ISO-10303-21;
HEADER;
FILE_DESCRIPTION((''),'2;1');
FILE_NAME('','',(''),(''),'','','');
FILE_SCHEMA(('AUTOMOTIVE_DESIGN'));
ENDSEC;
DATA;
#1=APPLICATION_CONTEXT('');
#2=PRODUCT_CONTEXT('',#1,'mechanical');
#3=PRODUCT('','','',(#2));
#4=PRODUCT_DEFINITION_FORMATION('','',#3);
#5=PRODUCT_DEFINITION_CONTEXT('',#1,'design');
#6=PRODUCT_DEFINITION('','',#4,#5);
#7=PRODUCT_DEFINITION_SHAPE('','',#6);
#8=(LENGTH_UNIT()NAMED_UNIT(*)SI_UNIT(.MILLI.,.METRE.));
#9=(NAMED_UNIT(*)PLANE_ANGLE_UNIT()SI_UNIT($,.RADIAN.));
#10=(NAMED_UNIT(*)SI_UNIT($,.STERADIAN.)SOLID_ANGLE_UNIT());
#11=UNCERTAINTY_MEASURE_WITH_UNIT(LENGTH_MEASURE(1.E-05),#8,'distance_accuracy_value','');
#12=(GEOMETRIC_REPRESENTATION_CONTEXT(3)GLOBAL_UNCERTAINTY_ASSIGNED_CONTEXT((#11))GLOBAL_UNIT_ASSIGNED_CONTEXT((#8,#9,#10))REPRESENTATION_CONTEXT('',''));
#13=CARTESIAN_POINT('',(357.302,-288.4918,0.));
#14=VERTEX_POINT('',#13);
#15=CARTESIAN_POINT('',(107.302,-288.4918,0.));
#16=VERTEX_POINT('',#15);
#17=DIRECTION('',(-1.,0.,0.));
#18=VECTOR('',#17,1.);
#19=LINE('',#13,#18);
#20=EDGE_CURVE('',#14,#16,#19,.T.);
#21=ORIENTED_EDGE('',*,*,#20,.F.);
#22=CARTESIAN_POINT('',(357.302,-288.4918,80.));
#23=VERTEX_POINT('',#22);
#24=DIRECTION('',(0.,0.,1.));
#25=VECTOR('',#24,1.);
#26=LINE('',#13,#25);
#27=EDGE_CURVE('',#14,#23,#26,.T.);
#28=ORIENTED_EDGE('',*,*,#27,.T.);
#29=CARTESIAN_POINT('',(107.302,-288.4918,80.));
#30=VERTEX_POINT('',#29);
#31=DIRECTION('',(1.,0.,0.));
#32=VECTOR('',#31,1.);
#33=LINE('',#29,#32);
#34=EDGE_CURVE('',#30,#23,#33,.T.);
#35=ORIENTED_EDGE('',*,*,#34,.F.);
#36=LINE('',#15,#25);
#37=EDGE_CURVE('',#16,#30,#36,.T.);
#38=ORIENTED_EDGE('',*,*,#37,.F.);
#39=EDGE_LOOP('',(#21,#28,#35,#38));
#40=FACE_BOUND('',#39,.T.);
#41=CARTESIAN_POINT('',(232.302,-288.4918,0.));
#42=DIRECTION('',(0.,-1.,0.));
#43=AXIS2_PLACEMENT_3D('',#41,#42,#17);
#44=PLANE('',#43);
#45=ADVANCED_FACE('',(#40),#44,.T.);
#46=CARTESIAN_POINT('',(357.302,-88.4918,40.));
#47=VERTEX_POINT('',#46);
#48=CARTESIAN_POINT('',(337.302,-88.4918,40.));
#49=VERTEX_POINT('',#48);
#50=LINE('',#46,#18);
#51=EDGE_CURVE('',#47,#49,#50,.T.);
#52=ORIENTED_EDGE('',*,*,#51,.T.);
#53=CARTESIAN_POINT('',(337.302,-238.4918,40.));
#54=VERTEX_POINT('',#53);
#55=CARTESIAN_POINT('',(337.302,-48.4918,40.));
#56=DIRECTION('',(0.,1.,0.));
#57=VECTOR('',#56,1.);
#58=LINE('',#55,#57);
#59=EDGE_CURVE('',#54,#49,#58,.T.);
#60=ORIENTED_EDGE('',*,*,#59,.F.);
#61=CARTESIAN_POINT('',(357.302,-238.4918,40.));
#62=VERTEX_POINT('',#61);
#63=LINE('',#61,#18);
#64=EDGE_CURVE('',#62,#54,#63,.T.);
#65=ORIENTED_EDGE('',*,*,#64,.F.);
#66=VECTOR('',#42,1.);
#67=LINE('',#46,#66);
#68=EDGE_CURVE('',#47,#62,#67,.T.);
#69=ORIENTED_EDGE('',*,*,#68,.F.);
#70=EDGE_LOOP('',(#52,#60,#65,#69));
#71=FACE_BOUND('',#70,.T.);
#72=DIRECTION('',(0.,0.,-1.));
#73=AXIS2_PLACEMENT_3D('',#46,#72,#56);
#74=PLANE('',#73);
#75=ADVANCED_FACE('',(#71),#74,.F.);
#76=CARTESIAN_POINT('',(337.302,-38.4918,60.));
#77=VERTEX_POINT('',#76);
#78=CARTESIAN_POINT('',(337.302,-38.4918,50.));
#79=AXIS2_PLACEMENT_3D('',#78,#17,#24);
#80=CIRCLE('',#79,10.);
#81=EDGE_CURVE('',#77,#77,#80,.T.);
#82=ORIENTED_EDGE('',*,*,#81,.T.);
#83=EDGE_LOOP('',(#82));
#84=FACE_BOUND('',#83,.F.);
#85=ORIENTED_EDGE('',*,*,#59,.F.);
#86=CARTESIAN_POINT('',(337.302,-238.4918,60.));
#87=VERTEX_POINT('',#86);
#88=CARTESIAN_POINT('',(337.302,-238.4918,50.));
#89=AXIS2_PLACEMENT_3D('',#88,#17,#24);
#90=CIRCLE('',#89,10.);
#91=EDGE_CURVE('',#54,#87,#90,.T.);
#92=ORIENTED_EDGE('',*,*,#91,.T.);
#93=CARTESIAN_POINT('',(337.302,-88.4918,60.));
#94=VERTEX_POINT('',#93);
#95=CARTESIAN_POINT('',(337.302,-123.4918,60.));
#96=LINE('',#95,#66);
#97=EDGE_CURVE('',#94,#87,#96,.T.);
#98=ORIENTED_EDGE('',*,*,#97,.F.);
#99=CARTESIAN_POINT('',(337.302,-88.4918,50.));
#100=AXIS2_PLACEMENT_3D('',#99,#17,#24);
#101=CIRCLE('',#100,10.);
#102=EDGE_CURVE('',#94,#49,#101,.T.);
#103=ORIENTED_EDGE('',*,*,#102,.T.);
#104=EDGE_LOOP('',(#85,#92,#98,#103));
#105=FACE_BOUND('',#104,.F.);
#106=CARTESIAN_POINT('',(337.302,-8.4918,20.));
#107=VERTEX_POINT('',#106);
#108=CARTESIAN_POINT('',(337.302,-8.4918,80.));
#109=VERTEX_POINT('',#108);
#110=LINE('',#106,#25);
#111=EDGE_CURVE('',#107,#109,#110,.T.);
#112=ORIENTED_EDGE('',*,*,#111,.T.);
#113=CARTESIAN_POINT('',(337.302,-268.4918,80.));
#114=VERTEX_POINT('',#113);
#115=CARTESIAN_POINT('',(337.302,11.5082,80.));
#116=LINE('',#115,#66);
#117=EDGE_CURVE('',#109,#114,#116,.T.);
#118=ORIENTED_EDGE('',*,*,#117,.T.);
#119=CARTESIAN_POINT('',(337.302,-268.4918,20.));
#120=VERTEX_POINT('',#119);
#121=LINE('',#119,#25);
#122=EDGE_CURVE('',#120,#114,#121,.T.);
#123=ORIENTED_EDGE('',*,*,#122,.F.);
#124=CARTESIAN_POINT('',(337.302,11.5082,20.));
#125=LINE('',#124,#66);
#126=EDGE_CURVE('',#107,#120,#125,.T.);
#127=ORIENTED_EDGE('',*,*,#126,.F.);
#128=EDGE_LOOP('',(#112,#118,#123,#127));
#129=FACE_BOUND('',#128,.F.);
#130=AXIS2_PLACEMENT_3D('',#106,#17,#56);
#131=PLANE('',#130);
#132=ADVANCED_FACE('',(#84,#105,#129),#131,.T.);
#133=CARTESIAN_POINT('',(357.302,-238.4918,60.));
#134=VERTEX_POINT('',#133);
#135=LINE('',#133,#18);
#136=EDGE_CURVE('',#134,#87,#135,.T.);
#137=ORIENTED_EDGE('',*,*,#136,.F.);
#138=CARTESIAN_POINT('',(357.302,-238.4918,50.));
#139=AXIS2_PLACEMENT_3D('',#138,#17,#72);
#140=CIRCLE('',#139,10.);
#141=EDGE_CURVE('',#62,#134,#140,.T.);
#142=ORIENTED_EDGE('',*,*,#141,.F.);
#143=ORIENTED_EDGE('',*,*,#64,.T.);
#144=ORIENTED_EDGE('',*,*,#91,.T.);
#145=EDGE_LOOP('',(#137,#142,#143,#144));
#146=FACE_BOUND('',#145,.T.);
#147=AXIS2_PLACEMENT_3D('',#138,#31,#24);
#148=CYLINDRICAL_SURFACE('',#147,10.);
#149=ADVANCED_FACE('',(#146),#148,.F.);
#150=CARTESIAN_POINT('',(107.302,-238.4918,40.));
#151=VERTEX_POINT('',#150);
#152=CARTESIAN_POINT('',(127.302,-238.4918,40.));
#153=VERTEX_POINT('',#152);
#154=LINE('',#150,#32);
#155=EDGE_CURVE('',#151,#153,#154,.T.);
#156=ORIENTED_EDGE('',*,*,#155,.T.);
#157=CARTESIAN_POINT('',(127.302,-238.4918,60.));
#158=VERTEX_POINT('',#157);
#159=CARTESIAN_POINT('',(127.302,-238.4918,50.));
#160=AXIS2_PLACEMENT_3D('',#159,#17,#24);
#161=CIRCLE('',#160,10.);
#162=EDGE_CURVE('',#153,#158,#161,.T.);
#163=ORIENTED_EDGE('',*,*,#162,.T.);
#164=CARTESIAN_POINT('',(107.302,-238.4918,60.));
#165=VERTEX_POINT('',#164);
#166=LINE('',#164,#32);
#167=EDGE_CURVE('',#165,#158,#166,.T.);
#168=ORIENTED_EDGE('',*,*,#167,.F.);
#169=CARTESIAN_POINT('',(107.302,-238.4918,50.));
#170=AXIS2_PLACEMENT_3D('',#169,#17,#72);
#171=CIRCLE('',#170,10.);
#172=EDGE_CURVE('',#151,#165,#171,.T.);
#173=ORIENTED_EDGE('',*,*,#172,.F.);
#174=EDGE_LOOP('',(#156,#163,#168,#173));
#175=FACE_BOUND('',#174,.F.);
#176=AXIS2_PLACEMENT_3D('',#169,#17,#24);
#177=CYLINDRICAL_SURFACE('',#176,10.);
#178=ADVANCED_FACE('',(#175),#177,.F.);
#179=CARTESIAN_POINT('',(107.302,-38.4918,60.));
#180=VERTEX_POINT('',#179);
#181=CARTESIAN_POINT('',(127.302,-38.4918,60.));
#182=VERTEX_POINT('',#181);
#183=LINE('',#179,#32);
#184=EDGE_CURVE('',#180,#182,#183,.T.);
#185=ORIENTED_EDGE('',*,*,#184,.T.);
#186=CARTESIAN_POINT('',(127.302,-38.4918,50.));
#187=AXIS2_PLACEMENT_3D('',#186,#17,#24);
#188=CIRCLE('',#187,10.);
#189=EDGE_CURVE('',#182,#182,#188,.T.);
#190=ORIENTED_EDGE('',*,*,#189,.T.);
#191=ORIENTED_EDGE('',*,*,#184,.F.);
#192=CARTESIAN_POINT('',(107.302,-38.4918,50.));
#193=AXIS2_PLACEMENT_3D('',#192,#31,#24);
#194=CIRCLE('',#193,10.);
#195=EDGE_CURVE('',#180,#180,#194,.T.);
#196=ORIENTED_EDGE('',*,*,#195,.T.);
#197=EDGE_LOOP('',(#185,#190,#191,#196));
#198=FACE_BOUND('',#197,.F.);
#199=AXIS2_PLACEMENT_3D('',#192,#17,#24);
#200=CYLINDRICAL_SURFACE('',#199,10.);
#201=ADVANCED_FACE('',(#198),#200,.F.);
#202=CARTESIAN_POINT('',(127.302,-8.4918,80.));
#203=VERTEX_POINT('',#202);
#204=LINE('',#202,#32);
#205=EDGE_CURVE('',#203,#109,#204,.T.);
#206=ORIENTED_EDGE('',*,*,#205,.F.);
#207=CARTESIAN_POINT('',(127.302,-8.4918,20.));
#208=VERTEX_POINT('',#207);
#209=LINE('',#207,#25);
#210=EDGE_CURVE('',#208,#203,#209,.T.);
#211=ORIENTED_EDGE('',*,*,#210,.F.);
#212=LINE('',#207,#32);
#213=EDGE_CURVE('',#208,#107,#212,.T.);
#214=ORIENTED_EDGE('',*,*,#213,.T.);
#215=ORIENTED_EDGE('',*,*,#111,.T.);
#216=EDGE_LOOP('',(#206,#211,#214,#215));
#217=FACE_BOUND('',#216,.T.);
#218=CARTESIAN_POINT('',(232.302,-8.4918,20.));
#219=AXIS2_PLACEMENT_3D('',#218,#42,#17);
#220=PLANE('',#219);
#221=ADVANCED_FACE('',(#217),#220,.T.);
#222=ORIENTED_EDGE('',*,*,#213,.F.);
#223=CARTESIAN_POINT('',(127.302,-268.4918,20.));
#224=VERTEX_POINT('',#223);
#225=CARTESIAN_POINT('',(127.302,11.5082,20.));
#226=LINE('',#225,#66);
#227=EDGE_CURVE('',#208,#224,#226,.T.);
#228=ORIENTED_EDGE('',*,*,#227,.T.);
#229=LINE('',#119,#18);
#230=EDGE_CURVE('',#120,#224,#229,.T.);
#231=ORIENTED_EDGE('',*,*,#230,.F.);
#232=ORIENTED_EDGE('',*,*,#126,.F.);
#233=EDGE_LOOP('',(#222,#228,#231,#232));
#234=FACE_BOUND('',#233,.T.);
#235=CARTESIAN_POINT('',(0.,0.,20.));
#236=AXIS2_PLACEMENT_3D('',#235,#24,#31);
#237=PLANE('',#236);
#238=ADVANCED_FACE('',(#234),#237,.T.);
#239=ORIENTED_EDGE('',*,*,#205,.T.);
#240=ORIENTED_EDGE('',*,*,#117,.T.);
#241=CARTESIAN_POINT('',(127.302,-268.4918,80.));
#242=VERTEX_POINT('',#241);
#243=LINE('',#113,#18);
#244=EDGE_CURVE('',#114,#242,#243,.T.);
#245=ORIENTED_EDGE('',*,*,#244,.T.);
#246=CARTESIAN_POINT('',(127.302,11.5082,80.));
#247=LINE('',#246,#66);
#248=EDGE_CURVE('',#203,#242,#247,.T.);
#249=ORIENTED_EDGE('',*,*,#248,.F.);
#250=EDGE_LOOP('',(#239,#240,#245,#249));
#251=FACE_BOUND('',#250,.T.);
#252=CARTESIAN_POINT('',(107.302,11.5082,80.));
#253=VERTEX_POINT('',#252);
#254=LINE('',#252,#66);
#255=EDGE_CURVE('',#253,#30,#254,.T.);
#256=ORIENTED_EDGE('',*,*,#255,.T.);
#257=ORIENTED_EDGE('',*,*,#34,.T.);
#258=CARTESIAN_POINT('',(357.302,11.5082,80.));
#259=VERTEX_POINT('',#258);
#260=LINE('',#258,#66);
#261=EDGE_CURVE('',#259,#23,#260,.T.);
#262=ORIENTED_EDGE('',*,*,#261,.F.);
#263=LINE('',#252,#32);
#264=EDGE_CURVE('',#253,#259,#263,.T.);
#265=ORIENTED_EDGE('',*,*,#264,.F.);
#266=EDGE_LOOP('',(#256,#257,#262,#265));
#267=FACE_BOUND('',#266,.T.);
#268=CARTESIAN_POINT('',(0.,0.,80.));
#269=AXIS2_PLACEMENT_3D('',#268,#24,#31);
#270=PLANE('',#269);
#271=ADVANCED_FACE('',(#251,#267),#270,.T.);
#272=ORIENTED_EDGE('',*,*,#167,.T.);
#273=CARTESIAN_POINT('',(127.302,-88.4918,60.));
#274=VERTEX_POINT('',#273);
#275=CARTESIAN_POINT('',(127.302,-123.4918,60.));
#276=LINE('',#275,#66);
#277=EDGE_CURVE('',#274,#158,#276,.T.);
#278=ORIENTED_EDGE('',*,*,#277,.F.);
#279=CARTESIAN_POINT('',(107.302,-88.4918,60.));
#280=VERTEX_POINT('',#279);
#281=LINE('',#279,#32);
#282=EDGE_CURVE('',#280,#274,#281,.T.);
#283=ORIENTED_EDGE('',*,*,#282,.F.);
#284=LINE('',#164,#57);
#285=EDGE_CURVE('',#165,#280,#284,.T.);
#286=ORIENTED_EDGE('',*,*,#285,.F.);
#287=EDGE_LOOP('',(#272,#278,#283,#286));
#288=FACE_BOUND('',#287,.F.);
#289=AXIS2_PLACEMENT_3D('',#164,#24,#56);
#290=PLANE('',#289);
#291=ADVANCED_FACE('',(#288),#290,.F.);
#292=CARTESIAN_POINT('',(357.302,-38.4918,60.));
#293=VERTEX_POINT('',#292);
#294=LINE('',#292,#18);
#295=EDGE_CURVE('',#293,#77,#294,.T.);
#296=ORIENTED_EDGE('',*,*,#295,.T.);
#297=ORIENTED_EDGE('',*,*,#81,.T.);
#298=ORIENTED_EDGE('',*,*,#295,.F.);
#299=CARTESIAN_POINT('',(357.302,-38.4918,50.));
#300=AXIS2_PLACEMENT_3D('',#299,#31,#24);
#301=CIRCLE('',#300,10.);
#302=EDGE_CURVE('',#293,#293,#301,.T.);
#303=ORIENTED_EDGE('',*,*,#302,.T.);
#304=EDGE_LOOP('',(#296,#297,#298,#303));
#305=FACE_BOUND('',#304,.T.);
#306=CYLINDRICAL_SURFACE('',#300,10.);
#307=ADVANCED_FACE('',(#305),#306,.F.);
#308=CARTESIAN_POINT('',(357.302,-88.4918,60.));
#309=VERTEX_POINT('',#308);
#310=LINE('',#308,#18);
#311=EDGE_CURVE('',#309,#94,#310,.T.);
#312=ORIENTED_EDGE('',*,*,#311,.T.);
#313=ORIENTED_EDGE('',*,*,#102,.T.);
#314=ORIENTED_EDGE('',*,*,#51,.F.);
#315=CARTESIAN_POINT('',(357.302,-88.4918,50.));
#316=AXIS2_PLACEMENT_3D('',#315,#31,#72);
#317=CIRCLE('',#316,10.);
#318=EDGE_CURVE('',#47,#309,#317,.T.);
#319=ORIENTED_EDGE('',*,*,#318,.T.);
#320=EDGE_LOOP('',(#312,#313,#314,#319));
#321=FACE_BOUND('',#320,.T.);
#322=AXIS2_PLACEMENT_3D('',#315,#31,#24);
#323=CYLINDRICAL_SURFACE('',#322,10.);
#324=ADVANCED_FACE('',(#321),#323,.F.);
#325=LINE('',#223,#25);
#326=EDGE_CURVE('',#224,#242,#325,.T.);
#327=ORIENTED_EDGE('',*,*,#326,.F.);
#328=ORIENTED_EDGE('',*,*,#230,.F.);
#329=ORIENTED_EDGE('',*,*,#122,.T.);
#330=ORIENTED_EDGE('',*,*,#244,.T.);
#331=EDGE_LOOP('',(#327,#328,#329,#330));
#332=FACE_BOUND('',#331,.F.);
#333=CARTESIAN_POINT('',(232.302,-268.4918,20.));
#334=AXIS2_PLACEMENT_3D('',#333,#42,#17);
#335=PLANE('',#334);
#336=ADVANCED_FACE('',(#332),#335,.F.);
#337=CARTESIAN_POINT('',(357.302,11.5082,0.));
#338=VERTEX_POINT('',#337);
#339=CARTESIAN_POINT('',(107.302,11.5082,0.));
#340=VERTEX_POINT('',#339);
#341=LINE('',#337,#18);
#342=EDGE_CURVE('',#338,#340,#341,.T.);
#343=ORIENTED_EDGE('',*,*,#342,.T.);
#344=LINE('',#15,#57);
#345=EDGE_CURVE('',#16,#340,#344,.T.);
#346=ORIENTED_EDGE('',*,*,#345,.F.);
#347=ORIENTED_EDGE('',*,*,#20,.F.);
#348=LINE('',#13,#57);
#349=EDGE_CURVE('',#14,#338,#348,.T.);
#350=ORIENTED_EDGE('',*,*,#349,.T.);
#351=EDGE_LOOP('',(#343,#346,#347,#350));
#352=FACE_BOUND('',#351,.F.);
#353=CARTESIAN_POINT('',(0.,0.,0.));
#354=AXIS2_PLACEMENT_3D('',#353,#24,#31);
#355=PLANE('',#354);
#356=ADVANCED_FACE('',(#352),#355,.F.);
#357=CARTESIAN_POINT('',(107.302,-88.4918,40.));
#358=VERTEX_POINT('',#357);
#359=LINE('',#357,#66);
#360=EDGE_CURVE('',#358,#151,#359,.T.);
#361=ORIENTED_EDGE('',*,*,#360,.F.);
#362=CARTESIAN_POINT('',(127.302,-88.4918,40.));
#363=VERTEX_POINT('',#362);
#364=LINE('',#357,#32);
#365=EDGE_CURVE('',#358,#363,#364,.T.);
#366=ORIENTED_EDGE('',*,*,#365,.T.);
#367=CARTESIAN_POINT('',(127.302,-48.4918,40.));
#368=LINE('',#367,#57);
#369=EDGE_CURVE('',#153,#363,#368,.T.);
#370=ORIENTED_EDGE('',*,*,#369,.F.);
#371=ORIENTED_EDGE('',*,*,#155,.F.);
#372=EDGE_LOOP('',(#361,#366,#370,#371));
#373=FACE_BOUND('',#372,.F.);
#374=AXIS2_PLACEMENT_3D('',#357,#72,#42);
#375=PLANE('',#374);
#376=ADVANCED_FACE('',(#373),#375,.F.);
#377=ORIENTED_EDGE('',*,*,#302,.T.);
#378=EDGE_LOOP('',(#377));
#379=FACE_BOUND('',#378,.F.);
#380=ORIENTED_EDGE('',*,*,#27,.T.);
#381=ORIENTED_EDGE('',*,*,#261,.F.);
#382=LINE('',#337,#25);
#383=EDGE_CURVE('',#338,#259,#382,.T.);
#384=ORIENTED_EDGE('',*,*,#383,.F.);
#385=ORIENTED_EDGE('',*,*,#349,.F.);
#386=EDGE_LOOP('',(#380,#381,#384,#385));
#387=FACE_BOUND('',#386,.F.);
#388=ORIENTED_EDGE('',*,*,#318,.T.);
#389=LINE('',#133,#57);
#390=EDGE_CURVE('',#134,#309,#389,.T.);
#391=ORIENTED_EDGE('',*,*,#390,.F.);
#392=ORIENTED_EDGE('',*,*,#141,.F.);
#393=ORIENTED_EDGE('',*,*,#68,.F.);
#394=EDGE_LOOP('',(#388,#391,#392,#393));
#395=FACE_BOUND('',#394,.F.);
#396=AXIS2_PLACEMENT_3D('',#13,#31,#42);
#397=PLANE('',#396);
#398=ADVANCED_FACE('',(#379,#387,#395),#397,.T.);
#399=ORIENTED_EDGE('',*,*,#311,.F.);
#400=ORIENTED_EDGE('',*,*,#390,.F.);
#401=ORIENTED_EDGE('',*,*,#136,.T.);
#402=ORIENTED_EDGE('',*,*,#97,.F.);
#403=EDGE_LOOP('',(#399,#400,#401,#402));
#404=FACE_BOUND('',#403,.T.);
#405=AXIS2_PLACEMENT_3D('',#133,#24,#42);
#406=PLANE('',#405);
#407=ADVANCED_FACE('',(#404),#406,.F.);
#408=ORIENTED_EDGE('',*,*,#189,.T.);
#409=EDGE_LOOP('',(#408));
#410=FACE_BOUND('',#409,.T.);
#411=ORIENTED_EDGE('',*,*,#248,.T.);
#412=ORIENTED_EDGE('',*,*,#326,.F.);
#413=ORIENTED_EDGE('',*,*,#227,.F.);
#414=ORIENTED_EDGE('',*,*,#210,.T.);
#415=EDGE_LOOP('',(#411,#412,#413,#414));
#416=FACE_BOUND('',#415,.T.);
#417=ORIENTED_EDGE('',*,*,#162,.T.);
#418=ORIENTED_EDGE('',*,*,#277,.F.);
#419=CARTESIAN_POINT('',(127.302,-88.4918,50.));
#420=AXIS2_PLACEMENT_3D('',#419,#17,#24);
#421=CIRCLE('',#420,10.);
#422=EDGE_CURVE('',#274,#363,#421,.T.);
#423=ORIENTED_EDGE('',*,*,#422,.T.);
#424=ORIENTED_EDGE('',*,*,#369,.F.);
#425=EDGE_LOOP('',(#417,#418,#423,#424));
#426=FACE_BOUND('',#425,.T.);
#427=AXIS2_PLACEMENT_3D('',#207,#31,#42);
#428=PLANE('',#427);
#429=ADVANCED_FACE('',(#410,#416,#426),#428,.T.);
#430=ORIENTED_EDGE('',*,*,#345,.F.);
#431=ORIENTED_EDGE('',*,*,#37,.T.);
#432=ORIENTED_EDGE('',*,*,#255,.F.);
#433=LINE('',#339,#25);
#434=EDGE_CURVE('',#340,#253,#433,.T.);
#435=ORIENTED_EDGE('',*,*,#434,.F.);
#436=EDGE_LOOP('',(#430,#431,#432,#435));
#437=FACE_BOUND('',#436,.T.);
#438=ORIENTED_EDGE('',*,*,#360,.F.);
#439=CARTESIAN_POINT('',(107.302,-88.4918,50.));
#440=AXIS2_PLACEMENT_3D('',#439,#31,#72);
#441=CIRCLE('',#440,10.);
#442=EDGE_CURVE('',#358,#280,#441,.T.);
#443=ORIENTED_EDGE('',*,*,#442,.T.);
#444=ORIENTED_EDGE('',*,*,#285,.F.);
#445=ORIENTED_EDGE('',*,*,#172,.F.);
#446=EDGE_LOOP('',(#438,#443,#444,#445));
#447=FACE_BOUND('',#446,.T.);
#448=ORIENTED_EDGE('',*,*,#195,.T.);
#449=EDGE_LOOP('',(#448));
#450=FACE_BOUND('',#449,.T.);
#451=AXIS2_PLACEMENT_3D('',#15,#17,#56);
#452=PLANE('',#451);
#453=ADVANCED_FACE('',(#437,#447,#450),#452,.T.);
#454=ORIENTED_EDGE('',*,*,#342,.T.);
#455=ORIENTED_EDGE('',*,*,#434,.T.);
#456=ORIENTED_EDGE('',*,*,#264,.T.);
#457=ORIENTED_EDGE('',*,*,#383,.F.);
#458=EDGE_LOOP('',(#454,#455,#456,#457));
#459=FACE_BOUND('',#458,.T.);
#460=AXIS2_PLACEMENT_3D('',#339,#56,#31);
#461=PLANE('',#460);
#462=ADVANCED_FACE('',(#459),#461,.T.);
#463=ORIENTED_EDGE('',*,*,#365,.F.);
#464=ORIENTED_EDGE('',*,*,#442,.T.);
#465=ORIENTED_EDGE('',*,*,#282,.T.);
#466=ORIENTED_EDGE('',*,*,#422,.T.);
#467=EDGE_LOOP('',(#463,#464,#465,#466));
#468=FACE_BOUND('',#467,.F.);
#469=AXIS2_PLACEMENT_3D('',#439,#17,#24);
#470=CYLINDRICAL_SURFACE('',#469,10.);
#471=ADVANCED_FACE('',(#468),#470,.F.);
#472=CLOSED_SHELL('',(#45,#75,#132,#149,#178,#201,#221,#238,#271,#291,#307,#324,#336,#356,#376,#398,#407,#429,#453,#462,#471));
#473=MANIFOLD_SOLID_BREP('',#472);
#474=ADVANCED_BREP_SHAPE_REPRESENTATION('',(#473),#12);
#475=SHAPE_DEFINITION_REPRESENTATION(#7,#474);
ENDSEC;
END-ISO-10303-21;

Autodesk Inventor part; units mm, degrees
ref_plane "YZ Plane" through (0, 0, 0) normal (1, 0, 0) x (0, 1, 0)
ref_plane "XZ Plane" through (0, 0, 0) normal (0, 1, 0) x (-1, 0, 0)
ref_plane "XY Plane" through (0, 0, 0) normal (0, 0, 1) x (1, 0, 0)
sketch "Szkic1" plane through (0, 0, 0) normal (0, 0, 1) x (1, 0, 0)
  line L0 (107.302, 11.5082) -> (232.302, 11.5082)
  line L1 (232.302, 11.5082) -> (232.302, -288.4918)
  line L2 (232.302, -288.4918) -> (107.302, -288.4918)
  line L3 (107.302, -288.4918) -> (107.302, 11.5082)
  point P0 (0, 0)
  dimension "d0" = 125
  dimension "d1" = 300
extrude "Wyciągnięcie proste1" add sketch "Szkic1" along normal blind 20
sketch "Szkic2" plane through (0, 0, 20) normal (0, 0, 1) x (1, 0, 0)
  line L0 (232.302, 11.5082) -> (107.302, 11.5082) projected
  line L1 (107.302, -288.4918) -> (232.302, -288.4918) projected
  line L2 (107.302, 11.5082) -> (127.302, 11.5082)
  line L3 (127.302, 11.5082) -> (127.302, -288.4918)
  line L4 (127.302, -288.4918) -> (107.302, -288.4918)
  line L5 (107.302, -288.4918) -> (107.302, 11.5082)
  line L6 (232.302, -288.4918) -> (232.302, 11.5082) projected
  line L7 (107.302, 11.5082) -> (232.302, 11.5082)
  line L8 (232.302, 11.5082) -> (232.302, -8.4918)
  line L9 (232.302, -8.4918) -> (107.302, -8.4918)
  line L10 (107.302, -8.4918) -> (107.302, 11.5082)
  line L11 (107.302, -288.4918) -> (232.302, -288.4918)
  line L12 (232.302, -288.4918) -> (232.302, -268.4918)
  line L13 (232.302, -268.4918) -> (107.302, -268.4918)
  line L14 (107.302, -268.4918) -> (107.302, -288.4918)
  point P0 (0, 0)
  point P1 (127.302, -8.4918)
  point P2 (127.302, -268.4918)
  dimension "d4" = 20
  dimension "d5" = 20
  dimension "d8" = 20
extrude "Wyciągnięcie proste2" add sketch "Szkic2" along normal blind 60 contours L6 L9 L3 L0 | L3 L9 L5 L0 | L3 L13 L5 L9 | L6 L1 L3 L13 | L3 L1 L5 L13
sketch "Szkic3" plane through (107.302, -288.4918, 0) normal (-1, 0, 0) x (0, 0, 1)
  line L0 (0, 300) -> (80, 300) projected
  line L1 (0, 0) -> (80, 0) projected
  line L2 (80, 300) -> (50, 300)
  line L3 (50, 300) -> (50, 0)
  line L4 (50, 0) -> (80, 0)
  line L5 (80, 0) -> (80, 300)
  circle A0 centre (50, 250) radius 10
  circle A1 centre (50, 200) radius 10
  circle A2 centre (50, 50) radius 10
  line L6 (50, 200) -> (50, 50) construction
  line L7 (40, 200) -> (40, 50)
  line L8 (60, 50) -> (60, 200)
  arc A3 (60, 200) -> (40, 200) centre (50, 200) ccw
  arc A4 (40, 50) -> (60, 50) centre (50, 50) ccw
  point P0 (0, 288.4918)
  point P1 (65, 300)
  point P2 (65, 0)
  point P3 (50, 125)
  point P4 (60, 200)
  dimension "d9" = 30
  dimension "d10" = 50
  dimension "d11" = 50
  dimension "d12" = 100
  dimension "d13" = 20
  dimension "d14" = 20
  dimension "d15" = 20
extrude "Wyciągnięcie proste3" cut sketch "Szkic3" against normal through all contours A0 L3 | L3 A0 | A1 L3 | L3 A1 | A2 L3 | L3 A2 | A1 L8 A2 L3 | L3 A2 L7 A1
mirror "Odbij1" about plane through (232.302, -288.4918, 0) normal (1, 0, 0)
properties part number "podstawa"
